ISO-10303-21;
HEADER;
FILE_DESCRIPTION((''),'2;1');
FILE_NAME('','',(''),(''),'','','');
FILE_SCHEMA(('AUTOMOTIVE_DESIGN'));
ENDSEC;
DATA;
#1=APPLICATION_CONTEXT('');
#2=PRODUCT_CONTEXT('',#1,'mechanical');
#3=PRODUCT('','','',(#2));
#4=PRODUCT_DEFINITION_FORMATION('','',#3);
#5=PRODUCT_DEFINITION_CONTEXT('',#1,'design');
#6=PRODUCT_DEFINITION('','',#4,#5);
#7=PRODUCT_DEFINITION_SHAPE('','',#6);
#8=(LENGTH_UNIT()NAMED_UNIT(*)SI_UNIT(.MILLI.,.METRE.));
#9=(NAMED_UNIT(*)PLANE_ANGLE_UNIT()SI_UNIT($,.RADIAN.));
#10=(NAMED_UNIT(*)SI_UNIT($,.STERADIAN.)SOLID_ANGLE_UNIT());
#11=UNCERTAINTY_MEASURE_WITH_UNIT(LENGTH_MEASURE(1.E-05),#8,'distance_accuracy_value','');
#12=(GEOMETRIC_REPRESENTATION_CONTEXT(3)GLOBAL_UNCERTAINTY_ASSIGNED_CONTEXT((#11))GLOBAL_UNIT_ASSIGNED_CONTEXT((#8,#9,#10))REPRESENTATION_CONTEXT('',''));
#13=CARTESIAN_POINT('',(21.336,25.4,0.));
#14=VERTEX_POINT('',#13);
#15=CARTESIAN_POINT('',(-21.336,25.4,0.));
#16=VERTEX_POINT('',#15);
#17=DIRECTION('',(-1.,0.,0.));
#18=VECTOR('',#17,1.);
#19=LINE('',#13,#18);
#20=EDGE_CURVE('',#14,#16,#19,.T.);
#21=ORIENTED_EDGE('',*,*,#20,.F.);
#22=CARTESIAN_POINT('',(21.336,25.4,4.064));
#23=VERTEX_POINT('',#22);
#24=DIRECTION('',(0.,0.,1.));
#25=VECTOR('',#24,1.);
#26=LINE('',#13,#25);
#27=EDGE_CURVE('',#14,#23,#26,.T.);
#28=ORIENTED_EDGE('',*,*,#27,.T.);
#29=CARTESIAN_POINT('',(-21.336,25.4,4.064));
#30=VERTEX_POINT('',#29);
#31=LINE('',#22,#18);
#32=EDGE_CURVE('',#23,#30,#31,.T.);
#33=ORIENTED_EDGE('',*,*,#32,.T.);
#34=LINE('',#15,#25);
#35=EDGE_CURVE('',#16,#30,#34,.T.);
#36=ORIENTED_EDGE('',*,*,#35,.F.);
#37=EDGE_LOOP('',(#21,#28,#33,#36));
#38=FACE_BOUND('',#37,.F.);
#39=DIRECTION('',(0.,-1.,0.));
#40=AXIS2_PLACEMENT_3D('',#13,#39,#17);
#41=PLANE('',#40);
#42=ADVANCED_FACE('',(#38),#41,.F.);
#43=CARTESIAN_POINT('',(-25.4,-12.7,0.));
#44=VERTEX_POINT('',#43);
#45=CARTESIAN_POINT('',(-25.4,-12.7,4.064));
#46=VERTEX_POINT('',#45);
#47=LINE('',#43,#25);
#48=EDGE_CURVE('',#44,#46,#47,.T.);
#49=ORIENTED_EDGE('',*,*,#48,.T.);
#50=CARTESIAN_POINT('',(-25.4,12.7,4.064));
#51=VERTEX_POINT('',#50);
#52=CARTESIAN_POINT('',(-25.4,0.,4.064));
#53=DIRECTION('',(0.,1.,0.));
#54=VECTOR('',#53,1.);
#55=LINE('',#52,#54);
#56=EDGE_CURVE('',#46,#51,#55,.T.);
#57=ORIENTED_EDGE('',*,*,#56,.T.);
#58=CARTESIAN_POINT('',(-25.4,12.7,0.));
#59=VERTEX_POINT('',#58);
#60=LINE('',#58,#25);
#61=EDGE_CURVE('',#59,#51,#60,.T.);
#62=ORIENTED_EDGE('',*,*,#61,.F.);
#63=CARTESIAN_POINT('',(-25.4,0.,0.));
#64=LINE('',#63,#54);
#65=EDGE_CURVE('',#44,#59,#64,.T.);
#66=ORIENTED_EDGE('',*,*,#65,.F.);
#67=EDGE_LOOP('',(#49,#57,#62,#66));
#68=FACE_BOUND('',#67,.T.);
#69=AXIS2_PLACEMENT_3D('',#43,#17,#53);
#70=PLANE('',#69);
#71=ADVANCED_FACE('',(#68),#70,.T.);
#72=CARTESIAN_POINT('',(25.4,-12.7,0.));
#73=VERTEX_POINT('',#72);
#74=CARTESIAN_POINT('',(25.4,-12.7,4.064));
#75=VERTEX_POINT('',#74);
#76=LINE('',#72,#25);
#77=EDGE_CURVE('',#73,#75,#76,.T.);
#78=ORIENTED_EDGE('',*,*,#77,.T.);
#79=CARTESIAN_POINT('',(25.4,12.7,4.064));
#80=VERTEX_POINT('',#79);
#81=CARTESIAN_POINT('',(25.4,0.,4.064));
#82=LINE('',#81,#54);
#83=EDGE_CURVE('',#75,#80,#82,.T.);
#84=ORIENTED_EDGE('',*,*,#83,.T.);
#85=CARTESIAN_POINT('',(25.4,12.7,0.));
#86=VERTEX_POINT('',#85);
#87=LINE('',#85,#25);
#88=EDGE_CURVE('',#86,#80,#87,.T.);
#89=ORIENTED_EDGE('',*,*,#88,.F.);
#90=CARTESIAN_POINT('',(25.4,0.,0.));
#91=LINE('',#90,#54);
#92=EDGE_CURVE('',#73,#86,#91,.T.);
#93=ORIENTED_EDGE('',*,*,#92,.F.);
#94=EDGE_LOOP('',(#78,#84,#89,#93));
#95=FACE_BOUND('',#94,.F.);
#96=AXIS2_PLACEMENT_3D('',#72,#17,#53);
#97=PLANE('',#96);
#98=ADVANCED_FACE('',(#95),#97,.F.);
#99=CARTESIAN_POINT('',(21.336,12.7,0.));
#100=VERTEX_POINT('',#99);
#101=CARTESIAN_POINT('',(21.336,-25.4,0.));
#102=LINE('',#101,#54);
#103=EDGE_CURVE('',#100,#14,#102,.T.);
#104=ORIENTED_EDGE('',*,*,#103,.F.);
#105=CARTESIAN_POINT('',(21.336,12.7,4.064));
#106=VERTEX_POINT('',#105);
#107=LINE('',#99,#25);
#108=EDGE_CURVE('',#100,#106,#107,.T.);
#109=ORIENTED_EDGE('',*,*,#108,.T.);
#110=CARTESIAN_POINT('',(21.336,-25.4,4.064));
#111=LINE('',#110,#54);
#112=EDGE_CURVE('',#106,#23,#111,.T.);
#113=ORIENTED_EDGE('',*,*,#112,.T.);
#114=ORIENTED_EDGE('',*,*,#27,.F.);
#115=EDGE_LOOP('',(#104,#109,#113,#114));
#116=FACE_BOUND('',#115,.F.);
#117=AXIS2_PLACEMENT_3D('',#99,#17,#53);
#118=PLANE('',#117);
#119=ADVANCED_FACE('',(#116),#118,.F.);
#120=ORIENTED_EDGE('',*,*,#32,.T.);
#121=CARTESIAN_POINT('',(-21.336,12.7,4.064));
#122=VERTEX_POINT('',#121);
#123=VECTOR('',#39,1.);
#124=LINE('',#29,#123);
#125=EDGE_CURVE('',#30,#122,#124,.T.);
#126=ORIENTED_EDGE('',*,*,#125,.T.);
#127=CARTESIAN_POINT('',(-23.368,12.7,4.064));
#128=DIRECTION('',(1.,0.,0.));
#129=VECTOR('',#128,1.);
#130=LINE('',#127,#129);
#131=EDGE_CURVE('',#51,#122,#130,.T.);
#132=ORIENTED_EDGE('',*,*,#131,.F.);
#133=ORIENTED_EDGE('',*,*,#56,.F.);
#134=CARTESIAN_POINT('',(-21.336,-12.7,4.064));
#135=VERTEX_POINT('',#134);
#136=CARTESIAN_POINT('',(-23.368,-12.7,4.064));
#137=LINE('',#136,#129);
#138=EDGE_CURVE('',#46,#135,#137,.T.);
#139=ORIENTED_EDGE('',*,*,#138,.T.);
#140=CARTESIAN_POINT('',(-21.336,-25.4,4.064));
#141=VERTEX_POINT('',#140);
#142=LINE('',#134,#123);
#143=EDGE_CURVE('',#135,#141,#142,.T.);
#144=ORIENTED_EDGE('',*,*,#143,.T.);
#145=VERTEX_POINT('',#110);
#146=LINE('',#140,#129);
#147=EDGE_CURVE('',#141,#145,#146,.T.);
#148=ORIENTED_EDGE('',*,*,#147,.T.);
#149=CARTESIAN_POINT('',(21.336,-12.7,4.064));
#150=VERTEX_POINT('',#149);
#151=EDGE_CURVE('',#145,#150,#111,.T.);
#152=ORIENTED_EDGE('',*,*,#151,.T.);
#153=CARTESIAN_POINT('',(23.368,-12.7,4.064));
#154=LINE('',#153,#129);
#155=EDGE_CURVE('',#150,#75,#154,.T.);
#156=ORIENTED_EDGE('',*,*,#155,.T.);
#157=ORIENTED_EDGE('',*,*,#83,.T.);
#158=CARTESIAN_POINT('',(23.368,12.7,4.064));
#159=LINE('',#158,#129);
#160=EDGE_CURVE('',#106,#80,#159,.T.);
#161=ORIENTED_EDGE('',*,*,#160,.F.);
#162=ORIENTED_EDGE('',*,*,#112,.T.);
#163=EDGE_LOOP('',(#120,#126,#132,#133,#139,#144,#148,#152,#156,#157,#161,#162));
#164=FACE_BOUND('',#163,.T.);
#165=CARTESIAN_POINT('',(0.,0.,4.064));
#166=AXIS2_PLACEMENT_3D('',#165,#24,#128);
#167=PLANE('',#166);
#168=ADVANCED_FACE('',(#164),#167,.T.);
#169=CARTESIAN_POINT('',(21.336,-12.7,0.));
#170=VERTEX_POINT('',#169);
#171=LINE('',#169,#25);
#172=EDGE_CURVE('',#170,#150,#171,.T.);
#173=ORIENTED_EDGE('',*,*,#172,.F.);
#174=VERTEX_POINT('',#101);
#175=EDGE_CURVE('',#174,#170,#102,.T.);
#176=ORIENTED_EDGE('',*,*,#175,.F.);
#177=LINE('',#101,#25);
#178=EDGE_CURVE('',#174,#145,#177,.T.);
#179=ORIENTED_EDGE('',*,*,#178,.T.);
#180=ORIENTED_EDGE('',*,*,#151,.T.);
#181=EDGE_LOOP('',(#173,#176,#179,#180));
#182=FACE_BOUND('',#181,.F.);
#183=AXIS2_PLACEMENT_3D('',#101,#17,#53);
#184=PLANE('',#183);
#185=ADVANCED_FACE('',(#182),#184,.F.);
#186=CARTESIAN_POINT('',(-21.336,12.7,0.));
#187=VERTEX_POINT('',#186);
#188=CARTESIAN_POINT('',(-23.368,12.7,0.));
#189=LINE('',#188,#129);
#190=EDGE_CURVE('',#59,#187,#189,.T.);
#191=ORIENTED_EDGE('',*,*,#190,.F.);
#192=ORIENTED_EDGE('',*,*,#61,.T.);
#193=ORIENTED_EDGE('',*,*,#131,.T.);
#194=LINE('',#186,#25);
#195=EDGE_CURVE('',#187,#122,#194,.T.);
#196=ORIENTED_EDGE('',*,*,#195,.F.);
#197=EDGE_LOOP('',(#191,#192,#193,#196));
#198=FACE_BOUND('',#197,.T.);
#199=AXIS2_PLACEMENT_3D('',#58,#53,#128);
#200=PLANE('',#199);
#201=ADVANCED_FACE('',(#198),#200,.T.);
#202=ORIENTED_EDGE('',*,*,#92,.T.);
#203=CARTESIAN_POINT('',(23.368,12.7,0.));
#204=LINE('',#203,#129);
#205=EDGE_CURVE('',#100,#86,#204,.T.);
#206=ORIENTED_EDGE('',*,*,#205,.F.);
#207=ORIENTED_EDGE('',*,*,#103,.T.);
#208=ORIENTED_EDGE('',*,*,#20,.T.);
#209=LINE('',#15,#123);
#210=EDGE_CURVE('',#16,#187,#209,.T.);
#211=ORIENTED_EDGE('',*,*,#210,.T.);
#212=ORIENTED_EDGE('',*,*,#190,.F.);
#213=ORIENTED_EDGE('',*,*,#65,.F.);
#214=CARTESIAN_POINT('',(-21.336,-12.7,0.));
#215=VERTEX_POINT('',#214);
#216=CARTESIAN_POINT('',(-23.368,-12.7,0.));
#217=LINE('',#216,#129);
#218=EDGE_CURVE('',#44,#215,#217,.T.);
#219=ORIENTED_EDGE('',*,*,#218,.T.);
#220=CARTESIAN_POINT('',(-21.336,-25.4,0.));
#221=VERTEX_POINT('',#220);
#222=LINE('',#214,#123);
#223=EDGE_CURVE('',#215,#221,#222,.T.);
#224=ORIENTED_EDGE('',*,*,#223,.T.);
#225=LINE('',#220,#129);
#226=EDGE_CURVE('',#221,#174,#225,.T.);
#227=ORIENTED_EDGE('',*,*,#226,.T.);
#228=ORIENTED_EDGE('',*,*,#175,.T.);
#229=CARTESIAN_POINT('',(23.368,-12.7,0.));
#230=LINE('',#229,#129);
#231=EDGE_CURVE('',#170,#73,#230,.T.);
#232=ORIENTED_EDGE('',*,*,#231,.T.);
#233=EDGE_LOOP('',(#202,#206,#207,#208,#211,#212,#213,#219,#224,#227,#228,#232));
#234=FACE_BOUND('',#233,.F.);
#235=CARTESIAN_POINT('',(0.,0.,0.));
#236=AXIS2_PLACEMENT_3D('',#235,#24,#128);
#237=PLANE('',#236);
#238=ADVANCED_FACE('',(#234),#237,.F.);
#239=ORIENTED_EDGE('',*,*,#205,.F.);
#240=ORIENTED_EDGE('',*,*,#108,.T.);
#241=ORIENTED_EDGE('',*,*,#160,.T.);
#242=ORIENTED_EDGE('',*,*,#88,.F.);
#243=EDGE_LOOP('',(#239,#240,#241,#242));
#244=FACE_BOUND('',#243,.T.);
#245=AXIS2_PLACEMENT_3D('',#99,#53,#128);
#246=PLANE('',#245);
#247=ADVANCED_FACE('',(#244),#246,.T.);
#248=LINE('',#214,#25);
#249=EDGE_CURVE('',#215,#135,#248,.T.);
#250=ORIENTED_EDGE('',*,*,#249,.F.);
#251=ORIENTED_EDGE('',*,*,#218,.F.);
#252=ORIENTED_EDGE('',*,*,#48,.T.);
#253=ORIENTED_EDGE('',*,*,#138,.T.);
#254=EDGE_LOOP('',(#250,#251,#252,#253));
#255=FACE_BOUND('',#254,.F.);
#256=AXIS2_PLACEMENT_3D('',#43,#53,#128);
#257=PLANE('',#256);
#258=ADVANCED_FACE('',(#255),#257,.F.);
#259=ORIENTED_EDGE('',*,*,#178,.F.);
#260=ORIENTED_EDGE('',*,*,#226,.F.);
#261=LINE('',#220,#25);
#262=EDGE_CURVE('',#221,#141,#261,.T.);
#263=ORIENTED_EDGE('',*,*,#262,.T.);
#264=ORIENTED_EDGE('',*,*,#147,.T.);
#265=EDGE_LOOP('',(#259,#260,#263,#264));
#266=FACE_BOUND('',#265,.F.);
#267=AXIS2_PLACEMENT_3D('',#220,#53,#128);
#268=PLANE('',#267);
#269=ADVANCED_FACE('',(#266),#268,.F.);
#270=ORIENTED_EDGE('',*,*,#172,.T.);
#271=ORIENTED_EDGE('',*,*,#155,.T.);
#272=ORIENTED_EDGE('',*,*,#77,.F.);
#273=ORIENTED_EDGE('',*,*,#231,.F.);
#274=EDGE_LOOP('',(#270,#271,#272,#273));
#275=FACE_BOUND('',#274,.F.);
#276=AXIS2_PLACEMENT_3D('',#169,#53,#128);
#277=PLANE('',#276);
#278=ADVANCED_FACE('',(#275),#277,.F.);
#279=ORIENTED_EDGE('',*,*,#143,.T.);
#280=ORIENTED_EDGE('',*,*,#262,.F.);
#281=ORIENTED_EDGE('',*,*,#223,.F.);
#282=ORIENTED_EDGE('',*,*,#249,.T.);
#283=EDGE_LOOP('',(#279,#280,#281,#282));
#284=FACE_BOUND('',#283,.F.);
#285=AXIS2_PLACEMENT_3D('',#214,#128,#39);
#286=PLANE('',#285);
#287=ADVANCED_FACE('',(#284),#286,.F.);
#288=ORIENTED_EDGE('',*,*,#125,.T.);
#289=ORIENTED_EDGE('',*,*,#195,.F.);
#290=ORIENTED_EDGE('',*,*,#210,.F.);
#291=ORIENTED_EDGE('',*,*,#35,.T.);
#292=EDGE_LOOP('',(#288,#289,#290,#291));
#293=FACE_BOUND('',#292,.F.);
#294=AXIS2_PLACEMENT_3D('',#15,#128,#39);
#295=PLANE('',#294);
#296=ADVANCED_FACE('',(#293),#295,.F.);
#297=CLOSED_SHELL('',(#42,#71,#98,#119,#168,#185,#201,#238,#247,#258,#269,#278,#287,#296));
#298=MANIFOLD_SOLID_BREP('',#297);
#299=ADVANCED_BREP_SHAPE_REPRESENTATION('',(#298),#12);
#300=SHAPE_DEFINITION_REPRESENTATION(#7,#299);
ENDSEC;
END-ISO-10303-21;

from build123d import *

# Parameters (mm, degrees)
F0_W     = 4.064
F0_H     = 25.4
F1_DEPTH = 4.064


with BuildPart() as f1:
    # F0 (on Top) → F1 (new body)
    with BuildSketch(Plane.XY):
        Polygon((21.336, 12.7), (21.336, 25.4), (-21.336, 25.4), (-21.336, 12.7), (-17.272, 12.7), (-17.272, -12.7), (-21.336, -12.7), (-21.336, -25.4), (21.336, -25.4), (21.336, -12.7), (17.272, -12.7), (17.272, 12.7), align=None)
        with Locations((19.304, 0)):
            Rectangle(F0_W, F0_H)
        with Locations((23.368, 0)):
            Rectangle(F0_W, F0_H)
        with Locations((-23.368, 0)):
            Rectangle(F0_W, F0_H)
        with Locations((-19.304, 0)):
            Rectangle(F0_W, F0_H)
    extrude(amount=F1_DEPTH)


solid = f1.part
